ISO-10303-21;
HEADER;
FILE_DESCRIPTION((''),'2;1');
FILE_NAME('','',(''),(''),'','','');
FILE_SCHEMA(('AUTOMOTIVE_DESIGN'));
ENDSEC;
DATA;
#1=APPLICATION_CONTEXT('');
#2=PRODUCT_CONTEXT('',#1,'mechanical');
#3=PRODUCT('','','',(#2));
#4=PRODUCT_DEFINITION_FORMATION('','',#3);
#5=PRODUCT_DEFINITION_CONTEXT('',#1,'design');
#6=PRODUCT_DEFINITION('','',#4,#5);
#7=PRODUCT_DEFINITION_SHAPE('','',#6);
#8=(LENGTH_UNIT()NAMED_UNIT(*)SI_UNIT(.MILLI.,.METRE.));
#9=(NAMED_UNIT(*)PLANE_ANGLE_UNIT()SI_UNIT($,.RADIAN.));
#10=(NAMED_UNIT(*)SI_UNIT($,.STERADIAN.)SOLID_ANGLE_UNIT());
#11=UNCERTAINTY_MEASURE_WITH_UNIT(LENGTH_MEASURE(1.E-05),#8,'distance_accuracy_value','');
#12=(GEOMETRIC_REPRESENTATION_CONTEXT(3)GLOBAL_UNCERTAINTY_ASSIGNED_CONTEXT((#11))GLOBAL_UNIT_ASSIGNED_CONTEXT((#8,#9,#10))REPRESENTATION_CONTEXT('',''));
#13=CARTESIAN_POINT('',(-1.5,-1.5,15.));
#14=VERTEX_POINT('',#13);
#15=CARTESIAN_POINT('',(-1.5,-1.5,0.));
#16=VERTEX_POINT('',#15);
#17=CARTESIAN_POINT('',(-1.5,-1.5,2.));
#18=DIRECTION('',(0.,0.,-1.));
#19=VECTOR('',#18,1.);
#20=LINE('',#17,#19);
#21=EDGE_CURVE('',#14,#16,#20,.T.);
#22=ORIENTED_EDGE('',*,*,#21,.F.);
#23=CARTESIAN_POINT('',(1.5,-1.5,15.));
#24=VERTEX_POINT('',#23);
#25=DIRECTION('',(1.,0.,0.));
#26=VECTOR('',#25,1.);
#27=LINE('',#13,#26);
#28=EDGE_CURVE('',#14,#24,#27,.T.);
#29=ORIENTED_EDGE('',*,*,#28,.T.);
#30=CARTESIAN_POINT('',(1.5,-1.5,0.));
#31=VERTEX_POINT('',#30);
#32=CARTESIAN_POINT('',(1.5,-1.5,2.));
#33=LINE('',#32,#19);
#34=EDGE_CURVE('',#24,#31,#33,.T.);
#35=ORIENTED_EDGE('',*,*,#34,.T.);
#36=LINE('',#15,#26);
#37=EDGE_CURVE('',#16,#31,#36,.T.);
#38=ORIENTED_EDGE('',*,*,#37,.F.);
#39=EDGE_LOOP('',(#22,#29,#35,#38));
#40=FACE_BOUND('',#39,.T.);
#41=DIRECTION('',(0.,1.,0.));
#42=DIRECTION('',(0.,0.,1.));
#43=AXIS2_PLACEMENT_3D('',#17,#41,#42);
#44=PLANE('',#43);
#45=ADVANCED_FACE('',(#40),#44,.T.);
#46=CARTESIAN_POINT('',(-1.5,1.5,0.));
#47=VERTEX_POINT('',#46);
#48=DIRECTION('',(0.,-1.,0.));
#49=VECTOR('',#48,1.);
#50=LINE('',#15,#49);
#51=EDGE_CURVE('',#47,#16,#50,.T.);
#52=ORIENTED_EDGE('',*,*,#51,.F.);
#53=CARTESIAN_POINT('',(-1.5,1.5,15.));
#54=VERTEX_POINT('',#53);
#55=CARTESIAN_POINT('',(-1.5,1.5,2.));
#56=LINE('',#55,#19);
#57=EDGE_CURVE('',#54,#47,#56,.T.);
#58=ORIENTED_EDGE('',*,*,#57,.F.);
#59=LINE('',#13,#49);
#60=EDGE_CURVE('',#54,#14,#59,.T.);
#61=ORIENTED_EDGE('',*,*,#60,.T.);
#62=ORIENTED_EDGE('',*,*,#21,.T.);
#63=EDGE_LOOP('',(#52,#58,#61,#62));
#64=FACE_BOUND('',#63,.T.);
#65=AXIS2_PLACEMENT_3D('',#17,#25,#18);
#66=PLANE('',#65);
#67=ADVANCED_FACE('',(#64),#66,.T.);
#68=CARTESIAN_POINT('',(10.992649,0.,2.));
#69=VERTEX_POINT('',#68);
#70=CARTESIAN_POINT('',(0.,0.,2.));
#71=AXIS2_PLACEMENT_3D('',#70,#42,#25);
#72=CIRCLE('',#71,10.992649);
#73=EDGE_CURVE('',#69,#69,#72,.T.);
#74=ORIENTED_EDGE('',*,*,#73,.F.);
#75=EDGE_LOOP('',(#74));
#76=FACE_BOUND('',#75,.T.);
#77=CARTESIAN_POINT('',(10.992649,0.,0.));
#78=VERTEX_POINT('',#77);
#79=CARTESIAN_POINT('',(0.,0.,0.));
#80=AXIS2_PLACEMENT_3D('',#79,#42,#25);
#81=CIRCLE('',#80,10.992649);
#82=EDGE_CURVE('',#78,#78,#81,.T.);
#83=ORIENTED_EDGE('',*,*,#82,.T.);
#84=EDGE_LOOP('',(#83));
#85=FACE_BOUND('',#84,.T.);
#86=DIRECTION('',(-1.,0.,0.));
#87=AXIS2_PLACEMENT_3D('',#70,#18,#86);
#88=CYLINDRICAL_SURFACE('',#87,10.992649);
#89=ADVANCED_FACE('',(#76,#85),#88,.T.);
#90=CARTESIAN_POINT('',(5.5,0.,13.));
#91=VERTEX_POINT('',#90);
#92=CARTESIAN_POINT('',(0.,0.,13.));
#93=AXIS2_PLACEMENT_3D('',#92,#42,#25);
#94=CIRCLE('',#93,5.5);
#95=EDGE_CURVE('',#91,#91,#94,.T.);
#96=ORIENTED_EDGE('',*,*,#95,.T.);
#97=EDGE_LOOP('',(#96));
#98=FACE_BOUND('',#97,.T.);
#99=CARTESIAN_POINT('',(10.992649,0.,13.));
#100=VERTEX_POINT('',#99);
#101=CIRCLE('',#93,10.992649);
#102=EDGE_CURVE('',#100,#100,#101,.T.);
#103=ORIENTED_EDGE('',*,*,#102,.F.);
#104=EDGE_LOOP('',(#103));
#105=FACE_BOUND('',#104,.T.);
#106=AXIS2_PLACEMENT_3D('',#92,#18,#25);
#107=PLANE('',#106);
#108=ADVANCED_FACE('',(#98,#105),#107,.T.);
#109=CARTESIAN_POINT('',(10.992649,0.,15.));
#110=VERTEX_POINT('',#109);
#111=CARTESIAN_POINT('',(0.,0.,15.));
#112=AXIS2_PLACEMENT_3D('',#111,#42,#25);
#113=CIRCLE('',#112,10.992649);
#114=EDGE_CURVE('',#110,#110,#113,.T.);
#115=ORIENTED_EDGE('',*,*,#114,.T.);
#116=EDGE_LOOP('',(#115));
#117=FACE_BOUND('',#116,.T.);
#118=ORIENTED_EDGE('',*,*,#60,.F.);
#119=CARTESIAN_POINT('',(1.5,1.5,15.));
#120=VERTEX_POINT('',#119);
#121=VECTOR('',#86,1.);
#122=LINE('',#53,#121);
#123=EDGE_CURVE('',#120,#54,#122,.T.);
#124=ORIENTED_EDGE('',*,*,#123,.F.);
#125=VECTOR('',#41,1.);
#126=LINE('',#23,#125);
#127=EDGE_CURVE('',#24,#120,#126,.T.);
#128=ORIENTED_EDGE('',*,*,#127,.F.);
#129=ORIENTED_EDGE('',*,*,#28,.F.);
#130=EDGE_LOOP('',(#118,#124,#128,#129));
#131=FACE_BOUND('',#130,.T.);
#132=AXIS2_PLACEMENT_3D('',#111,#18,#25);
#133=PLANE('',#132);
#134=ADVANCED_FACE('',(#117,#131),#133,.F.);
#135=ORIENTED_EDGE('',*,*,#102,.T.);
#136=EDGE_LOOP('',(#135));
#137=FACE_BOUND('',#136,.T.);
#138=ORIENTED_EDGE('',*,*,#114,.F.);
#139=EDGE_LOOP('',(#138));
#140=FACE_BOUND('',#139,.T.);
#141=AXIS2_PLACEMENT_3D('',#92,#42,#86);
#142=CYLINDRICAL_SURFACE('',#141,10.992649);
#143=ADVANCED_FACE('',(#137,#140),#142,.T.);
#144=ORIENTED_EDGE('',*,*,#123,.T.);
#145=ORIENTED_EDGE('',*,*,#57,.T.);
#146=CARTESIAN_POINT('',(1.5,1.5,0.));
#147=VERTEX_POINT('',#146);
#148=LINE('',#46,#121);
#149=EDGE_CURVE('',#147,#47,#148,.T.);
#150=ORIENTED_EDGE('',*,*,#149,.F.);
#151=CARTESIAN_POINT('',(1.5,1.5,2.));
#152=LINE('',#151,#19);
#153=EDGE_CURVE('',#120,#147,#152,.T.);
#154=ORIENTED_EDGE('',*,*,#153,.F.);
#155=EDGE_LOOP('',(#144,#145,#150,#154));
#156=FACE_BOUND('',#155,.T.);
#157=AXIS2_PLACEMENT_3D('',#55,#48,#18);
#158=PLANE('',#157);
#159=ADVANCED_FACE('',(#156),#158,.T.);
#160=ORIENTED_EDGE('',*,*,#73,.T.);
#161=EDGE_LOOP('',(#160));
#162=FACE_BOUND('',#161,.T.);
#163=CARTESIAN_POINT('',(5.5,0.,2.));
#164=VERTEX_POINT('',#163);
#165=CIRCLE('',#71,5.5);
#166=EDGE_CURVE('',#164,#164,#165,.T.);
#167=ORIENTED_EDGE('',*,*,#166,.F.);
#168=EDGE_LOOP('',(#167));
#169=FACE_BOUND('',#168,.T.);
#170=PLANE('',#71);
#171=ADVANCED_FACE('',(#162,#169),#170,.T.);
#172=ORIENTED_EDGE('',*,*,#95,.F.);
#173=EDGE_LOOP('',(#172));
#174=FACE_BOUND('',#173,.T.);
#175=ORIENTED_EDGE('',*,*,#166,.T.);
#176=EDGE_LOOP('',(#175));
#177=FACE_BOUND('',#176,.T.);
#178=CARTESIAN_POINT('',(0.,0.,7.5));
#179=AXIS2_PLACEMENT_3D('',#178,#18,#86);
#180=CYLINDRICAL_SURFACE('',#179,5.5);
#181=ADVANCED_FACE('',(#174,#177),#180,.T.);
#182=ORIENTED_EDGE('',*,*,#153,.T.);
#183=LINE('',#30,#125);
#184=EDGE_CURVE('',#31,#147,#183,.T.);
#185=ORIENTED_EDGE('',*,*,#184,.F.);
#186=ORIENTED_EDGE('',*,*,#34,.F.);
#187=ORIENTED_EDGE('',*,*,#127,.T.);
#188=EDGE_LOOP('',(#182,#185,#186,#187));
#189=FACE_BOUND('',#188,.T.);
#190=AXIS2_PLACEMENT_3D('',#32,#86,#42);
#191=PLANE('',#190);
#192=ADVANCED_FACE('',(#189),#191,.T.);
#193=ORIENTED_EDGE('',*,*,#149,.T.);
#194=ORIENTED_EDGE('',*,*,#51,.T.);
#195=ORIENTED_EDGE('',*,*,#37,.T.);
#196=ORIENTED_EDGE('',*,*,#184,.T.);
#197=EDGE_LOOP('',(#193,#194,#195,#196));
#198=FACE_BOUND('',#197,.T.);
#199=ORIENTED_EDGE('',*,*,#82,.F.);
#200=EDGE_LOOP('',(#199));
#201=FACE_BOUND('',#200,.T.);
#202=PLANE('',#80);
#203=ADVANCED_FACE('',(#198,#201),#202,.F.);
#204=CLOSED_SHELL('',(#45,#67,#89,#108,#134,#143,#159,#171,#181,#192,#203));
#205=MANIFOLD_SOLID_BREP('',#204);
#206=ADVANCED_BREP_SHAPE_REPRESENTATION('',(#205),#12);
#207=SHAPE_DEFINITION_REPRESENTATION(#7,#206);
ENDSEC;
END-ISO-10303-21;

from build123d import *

# Parameters (mm, degrees)
SKETCH_1_R      = 10.992648621
SKETCH_1_W      = 3
SKETCH_1_H      = 3
EXTRUDE_1_DEPTH = 2
SKETCH_2_R      = 5.5
SKETCH_2_W      = 3
SKETCH_2_H      = 3
EXTRUDE_2_DEPTH = 5.5


with BuildPart() as part:
    # 草图1 → 凸台-拉伸1 (new body)
    with BuildSketch(Plane.XY):
        Circle(SKETCH_1_R)
        Rectangle(SKETCH_1_W, SKETCH_1_H, mode=Mode.SUBTRACT)
    extrude_1 = extrude(amount=EXTRUDE_1_DEPTH)

    # 草图2 → 凸台-拉伸2 (add)
    with BuildSketch(Plane.XY.offset(2)):
        Circle(SKETCH_2_R)
        Rectangle(SKETCH_2_W, SKETCH_2_H, mode=Mode.SUBTRACT)
    extrude_2 = extrude(amount=EXTRUDE_2_DEPTH)

    # 镜向1: 凸台-拉伸1, 凸台-拉伸2 across plane
    add(extrude_1.mirror(Plane.XY.offset(7.5)))
    add(extrude_2.mirror(Plane.XY.offset(7.5)))


solid = part.part
